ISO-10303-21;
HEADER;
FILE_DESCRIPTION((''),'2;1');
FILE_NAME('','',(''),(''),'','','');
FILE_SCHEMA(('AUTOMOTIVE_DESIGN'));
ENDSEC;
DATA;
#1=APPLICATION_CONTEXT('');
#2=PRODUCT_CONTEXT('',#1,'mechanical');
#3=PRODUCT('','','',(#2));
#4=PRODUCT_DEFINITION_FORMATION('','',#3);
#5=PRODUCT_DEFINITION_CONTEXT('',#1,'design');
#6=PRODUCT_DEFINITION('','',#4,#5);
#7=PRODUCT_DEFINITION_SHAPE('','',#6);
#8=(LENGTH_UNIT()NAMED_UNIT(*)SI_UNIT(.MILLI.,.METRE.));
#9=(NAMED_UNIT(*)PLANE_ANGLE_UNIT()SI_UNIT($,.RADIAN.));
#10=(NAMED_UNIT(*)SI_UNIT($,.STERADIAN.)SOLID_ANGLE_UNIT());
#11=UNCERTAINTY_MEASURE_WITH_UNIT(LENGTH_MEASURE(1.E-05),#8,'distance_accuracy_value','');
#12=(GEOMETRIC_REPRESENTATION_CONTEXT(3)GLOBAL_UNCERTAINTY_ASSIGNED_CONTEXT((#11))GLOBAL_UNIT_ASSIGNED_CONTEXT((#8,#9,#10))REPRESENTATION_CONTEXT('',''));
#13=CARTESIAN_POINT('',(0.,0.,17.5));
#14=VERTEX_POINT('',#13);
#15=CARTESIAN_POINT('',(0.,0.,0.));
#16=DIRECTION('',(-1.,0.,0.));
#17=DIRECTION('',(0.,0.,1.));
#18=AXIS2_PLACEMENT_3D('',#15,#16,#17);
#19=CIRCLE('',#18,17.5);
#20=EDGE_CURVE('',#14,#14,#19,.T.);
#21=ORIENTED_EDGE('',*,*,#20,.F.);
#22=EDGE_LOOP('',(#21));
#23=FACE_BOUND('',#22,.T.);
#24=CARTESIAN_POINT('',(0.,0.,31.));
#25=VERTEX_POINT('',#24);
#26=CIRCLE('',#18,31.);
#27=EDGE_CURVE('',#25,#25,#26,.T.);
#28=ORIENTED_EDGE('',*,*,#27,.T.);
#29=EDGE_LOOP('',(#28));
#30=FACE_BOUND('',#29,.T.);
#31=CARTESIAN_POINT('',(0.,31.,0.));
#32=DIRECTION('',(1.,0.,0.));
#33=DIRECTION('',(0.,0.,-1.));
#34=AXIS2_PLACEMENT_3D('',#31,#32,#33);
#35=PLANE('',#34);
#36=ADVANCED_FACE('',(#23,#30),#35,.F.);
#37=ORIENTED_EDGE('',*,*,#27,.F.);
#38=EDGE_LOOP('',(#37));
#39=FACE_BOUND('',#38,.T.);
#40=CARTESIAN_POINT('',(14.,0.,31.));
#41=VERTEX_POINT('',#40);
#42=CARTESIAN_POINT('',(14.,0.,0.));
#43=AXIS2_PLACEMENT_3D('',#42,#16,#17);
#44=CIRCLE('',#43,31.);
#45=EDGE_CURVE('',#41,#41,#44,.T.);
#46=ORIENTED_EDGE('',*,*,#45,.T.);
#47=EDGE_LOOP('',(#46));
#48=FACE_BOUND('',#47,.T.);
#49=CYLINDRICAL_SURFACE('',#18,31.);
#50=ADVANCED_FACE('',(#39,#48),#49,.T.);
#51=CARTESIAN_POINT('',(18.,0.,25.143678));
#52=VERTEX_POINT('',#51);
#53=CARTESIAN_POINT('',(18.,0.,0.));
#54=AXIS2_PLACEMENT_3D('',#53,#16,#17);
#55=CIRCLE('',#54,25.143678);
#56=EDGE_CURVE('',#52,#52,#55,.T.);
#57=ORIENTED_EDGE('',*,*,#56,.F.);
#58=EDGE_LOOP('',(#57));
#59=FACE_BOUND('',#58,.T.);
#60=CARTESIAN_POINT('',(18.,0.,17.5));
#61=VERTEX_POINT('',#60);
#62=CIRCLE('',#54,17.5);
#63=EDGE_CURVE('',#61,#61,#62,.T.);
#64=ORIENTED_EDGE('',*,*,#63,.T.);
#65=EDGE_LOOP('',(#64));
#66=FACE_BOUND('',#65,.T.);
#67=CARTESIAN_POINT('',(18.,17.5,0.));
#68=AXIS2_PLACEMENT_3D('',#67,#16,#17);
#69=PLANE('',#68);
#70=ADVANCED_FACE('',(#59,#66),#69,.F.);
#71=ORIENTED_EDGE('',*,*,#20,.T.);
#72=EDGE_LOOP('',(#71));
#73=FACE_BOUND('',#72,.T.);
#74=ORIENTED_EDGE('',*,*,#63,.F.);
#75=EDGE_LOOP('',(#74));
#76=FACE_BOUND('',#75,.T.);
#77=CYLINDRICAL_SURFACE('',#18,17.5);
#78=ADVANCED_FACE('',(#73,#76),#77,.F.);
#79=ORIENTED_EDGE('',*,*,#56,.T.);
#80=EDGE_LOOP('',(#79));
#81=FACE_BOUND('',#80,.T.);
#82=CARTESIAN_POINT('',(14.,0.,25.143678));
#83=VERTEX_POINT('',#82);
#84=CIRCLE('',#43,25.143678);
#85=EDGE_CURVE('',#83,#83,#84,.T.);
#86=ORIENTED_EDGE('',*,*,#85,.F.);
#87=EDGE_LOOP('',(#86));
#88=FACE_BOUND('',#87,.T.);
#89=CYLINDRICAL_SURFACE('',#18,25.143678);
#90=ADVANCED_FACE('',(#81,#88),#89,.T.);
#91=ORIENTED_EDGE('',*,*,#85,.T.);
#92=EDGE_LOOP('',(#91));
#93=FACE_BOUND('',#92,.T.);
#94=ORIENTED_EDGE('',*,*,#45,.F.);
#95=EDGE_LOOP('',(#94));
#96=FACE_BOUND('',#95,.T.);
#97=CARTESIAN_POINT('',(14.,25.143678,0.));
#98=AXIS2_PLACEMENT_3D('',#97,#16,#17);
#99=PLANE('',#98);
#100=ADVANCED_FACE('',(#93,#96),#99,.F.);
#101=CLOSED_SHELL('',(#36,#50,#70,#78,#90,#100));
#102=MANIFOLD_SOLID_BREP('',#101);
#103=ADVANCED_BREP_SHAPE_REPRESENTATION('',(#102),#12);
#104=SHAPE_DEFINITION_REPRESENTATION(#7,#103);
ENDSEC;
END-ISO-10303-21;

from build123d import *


with BuildPart() as part:
    # Sketch1 → Revolve1 (revolve)
    with BuildSketch(Plane.XY):
        Polygon((0, 17.5), (18, 17.5), (18, 25.143678161), (14, 25.143678161), (14, 31), (0, 31), align=None)
    revolve(axis=Axis((0, 0, 0), (1, 0, 0)))


solid = part.part
